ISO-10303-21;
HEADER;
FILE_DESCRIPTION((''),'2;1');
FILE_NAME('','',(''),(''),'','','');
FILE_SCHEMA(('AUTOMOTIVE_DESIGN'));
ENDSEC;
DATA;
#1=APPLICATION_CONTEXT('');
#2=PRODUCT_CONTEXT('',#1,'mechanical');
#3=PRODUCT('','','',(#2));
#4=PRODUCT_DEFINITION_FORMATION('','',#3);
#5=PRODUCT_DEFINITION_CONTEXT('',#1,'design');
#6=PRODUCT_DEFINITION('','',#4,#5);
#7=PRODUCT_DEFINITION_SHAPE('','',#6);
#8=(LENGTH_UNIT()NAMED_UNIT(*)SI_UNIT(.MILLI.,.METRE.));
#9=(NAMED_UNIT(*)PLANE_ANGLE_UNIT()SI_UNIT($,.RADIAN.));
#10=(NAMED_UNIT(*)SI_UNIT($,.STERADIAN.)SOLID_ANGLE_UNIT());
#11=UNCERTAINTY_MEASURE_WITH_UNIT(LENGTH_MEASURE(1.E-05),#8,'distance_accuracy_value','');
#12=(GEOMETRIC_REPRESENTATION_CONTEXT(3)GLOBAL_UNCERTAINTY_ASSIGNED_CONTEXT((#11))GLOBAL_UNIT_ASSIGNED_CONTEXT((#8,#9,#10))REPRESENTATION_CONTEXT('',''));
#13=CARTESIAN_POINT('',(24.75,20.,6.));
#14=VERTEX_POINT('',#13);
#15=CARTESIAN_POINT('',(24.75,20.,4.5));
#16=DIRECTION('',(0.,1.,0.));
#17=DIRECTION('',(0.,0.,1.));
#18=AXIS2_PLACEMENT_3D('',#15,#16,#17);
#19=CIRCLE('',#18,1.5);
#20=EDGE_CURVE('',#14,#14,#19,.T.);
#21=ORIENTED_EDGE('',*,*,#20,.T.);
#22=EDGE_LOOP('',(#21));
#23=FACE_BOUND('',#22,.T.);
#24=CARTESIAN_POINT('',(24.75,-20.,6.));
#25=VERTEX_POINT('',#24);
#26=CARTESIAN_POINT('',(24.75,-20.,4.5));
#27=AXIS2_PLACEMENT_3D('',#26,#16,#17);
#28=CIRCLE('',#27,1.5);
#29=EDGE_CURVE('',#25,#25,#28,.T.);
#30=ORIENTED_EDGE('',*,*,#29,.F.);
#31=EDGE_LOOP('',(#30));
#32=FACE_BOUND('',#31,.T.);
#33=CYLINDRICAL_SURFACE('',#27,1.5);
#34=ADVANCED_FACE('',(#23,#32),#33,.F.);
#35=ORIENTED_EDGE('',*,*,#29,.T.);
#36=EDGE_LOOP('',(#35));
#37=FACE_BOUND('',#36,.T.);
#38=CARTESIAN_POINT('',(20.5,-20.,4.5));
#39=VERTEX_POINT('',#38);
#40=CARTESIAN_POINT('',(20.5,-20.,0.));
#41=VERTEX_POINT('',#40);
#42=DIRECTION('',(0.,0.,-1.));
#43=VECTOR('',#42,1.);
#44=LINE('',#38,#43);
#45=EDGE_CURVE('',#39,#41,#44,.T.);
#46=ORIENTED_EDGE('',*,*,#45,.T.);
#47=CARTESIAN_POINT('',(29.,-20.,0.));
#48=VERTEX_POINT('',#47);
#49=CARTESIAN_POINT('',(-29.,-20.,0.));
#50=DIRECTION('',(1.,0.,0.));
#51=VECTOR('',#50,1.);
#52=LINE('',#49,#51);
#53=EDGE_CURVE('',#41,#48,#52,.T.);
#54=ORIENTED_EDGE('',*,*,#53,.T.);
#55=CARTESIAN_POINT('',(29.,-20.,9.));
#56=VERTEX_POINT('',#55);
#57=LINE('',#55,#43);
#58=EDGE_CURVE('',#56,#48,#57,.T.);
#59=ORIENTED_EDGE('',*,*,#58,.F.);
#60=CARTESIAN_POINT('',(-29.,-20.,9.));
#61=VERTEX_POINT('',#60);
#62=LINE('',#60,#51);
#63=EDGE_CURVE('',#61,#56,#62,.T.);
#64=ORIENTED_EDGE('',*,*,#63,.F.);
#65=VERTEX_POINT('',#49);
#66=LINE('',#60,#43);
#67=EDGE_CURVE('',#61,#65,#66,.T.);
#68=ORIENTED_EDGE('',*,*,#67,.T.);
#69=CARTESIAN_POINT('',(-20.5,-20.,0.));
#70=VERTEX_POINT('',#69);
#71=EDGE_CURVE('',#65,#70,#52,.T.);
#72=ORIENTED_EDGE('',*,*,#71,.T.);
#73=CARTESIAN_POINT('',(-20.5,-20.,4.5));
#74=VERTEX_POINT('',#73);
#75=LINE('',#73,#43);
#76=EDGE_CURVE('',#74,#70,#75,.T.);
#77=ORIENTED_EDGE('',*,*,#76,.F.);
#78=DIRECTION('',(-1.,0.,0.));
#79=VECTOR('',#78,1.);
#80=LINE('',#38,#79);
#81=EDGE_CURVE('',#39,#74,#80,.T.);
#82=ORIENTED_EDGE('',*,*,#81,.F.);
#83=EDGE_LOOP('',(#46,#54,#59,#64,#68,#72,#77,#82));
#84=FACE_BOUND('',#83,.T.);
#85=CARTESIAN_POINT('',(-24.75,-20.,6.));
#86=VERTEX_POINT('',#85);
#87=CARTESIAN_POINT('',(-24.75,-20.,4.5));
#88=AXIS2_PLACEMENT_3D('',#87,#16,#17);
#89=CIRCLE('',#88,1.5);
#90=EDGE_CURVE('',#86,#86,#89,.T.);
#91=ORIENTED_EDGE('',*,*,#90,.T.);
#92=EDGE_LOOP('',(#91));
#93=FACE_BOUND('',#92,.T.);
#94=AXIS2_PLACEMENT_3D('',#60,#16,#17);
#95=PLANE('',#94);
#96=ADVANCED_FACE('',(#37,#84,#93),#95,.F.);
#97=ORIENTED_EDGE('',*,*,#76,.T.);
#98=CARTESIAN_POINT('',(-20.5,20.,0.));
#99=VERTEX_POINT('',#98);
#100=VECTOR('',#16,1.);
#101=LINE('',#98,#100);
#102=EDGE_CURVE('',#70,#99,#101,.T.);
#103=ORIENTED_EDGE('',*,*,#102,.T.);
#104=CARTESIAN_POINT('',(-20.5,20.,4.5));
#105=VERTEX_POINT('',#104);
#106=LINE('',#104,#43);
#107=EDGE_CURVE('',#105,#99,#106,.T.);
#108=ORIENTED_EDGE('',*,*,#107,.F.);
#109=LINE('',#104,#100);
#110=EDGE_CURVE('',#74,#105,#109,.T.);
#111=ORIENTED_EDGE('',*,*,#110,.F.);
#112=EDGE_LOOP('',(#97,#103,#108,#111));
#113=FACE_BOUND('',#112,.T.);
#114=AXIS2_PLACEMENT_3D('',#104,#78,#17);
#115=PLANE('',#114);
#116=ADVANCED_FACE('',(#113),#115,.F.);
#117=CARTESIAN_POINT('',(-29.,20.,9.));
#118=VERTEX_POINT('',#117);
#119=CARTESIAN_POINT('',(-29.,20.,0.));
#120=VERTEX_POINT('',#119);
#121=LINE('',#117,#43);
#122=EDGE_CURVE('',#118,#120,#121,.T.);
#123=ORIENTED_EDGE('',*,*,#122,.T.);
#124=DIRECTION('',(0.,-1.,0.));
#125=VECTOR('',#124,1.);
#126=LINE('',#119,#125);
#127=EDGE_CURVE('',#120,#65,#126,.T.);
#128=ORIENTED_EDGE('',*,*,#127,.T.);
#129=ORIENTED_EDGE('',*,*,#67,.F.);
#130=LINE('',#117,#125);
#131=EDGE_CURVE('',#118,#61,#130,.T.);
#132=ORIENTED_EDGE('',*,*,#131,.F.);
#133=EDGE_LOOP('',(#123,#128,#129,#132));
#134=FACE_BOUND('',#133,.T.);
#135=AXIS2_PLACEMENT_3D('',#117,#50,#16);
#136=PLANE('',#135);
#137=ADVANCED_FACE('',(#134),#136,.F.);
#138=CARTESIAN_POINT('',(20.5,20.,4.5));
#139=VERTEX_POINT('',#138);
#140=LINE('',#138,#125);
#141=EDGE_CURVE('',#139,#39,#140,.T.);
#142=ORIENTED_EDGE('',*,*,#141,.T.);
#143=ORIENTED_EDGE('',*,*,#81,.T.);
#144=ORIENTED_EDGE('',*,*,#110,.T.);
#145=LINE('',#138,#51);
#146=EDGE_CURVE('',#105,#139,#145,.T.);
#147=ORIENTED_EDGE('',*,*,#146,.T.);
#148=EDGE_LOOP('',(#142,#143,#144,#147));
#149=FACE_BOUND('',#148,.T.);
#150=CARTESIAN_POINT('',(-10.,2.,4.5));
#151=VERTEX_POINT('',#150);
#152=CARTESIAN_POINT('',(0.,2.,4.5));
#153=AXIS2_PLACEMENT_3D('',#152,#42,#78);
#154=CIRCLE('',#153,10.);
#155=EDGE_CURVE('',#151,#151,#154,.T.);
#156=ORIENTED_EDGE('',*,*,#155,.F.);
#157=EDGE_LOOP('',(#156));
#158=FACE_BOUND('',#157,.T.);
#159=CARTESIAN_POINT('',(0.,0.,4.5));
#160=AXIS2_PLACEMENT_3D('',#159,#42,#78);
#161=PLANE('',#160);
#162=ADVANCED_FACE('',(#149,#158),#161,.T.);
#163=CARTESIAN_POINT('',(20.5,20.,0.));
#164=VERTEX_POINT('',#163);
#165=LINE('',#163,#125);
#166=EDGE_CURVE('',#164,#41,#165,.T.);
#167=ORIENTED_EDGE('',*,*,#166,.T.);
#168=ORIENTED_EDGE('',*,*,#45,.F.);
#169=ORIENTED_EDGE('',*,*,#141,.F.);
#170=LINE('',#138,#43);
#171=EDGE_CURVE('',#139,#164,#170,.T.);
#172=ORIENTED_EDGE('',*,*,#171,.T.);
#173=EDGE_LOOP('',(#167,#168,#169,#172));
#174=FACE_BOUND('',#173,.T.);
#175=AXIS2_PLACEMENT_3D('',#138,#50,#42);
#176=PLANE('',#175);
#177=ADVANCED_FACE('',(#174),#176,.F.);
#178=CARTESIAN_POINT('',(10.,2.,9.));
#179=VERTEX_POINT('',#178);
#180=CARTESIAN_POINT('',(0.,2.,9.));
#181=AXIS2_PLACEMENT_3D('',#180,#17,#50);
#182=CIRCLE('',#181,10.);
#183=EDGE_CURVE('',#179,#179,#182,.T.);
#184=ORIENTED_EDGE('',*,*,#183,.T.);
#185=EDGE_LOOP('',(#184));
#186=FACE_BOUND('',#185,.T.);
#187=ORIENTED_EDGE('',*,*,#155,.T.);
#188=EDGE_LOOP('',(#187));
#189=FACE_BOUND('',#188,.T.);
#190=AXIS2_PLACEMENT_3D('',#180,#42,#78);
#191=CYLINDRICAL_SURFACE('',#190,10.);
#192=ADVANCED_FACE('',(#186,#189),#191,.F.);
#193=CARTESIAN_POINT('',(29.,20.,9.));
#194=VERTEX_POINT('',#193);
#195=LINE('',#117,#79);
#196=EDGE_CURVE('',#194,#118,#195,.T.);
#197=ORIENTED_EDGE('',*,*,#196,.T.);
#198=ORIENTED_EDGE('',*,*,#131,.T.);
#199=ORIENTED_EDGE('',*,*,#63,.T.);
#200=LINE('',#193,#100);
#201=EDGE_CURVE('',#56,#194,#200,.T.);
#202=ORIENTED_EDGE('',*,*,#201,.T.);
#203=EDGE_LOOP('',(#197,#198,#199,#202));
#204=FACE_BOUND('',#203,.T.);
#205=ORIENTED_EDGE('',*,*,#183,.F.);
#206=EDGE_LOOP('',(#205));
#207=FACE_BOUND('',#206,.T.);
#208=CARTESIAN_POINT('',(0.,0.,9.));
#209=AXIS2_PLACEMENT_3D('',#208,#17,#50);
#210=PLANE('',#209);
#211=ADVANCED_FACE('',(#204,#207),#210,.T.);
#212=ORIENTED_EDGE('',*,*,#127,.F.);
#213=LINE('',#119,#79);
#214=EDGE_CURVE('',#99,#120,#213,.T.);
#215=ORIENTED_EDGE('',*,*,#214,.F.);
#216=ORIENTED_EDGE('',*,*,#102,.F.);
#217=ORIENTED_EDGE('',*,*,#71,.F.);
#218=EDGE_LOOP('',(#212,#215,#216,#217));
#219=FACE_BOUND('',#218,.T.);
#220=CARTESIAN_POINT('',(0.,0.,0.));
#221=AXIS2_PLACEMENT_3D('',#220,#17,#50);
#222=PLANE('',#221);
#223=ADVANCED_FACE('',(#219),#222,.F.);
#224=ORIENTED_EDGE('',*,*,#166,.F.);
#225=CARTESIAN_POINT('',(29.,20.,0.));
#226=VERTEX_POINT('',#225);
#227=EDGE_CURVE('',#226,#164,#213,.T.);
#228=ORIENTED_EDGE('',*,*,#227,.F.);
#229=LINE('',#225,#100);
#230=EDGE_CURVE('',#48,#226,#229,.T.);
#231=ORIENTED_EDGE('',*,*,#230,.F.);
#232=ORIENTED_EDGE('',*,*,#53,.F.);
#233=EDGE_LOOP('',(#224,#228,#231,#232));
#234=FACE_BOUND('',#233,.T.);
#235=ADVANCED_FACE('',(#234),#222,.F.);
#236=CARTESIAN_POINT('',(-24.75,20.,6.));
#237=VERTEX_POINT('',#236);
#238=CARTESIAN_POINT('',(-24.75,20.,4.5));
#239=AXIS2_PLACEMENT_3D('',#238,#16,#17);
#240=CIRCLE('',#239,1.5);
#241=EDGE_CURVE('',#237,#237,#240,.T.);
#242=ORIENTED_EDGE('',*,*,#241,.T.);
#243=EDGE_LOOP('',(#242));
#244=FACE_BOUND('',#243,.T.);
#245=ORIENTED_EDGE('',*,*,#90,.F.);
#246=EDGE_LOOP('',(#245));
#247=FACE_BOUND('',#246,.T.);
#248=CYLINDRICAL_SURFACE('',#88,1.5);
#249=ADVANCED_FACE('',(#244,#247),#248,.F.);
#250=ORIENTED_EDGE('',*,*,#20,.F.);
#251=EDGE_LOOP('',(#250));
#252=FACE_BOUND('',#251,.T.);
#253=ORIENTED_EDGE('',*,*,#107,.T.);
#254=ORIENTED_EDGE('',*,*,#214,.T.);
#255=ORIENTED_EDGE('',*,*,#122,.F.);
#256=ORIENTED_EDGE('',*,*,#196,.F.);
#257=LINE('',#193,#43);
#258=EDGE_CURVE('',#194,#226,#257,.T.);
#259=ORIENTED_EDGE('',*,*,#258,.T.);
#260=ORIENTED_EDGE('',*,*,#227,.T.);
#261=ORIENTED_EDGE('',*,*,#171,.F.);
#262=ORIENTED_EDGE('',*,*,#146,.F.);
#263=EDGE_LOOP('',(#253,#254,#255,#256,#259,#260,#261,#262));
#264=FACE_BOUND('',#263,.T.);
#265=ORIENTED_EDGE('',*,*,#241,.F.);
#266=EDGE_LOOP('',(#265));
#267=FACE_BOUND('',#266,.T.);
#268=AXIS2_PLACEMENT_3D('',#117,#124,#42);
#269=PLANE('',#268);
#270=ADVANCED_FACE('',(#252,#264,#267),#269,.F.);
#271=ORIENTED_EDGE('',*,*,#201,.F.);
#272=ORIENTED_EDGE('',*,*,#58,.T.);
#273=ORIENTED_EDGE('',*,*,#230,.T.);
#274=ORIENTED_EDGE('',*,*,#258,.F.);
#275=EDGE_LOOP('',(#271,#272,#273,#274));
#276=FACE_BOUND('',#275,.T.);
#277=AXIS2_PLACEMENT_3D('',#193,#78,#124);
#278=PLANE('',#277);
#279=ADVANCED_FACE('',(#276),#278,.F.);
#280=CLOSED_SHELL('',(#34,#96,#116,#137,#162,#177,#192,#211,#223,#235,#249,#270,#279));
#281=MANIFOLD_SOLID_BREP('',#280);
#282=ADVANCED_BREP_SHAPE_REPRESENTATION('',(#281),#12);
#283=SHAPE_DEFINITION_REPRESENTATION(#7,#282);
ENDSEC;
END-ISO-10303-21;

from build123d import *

# Parameters (mm, degrees)
SKETCH1_W           = 58
SKETCH1_H           = 40
SKETCH1_R           = 10
BOSS_EXTRUDE1_DEPTH = 9
SKETCH2_W           = 41
SKETCH2_H           = 40
CUT_EXTRUDE1_DEPTH  = 4.5
SKETCH3_R           = 1.5
CUT_EXTRUDE2_DEPTH  = 51.219518118


with BuildPart() as part:
    # Sketch1 → Boss-Extrude1 (new body)
    with BuildSketch(Plane.XY):
        Rectangle(SKETCH1_W, SKETCH1_H)
        with Locations((0, 2)):
            Circle(SKETCH1_R, mode=Mode.SUBTRACT)
    extrude(amount=BOSS_EXTRUDE1_DEPTH)

    # Sketch2 → Cut-Extrude1 (cut)
    with BuildSketch(Plane(origin=(0, 0, 0), x_dir=(-1, 0, 0), z_dir=(0, 0, -1))):
        Rectangle(SKETCH2_W, SKETCH2_H)
    extrude(amount=-CUT_EXTRUDE1_DEPTH, mode=Mode.SUBTRACT)

    # Sketch3 → Cut-Extrude2 (cut, through all)
    with BuildSketch(Plane(origin=(0, 20, 0), x_dir=(1, 0, 0), z_dir=(0, 1, 0))):
        with Locations(Location((24.75, -4.5, 0), (0, 0, 270))):
            Circle(SKETCH3_R)
        with Locations(Location((-24.75, -4.5, 0), (0, 0, 270))):
            Circle(SKETCH3_R)
    extrude(amount=-CUT_EXTRUDE2_DEPTH, mode=Mode.SUBTRACT)


solid = part.part
